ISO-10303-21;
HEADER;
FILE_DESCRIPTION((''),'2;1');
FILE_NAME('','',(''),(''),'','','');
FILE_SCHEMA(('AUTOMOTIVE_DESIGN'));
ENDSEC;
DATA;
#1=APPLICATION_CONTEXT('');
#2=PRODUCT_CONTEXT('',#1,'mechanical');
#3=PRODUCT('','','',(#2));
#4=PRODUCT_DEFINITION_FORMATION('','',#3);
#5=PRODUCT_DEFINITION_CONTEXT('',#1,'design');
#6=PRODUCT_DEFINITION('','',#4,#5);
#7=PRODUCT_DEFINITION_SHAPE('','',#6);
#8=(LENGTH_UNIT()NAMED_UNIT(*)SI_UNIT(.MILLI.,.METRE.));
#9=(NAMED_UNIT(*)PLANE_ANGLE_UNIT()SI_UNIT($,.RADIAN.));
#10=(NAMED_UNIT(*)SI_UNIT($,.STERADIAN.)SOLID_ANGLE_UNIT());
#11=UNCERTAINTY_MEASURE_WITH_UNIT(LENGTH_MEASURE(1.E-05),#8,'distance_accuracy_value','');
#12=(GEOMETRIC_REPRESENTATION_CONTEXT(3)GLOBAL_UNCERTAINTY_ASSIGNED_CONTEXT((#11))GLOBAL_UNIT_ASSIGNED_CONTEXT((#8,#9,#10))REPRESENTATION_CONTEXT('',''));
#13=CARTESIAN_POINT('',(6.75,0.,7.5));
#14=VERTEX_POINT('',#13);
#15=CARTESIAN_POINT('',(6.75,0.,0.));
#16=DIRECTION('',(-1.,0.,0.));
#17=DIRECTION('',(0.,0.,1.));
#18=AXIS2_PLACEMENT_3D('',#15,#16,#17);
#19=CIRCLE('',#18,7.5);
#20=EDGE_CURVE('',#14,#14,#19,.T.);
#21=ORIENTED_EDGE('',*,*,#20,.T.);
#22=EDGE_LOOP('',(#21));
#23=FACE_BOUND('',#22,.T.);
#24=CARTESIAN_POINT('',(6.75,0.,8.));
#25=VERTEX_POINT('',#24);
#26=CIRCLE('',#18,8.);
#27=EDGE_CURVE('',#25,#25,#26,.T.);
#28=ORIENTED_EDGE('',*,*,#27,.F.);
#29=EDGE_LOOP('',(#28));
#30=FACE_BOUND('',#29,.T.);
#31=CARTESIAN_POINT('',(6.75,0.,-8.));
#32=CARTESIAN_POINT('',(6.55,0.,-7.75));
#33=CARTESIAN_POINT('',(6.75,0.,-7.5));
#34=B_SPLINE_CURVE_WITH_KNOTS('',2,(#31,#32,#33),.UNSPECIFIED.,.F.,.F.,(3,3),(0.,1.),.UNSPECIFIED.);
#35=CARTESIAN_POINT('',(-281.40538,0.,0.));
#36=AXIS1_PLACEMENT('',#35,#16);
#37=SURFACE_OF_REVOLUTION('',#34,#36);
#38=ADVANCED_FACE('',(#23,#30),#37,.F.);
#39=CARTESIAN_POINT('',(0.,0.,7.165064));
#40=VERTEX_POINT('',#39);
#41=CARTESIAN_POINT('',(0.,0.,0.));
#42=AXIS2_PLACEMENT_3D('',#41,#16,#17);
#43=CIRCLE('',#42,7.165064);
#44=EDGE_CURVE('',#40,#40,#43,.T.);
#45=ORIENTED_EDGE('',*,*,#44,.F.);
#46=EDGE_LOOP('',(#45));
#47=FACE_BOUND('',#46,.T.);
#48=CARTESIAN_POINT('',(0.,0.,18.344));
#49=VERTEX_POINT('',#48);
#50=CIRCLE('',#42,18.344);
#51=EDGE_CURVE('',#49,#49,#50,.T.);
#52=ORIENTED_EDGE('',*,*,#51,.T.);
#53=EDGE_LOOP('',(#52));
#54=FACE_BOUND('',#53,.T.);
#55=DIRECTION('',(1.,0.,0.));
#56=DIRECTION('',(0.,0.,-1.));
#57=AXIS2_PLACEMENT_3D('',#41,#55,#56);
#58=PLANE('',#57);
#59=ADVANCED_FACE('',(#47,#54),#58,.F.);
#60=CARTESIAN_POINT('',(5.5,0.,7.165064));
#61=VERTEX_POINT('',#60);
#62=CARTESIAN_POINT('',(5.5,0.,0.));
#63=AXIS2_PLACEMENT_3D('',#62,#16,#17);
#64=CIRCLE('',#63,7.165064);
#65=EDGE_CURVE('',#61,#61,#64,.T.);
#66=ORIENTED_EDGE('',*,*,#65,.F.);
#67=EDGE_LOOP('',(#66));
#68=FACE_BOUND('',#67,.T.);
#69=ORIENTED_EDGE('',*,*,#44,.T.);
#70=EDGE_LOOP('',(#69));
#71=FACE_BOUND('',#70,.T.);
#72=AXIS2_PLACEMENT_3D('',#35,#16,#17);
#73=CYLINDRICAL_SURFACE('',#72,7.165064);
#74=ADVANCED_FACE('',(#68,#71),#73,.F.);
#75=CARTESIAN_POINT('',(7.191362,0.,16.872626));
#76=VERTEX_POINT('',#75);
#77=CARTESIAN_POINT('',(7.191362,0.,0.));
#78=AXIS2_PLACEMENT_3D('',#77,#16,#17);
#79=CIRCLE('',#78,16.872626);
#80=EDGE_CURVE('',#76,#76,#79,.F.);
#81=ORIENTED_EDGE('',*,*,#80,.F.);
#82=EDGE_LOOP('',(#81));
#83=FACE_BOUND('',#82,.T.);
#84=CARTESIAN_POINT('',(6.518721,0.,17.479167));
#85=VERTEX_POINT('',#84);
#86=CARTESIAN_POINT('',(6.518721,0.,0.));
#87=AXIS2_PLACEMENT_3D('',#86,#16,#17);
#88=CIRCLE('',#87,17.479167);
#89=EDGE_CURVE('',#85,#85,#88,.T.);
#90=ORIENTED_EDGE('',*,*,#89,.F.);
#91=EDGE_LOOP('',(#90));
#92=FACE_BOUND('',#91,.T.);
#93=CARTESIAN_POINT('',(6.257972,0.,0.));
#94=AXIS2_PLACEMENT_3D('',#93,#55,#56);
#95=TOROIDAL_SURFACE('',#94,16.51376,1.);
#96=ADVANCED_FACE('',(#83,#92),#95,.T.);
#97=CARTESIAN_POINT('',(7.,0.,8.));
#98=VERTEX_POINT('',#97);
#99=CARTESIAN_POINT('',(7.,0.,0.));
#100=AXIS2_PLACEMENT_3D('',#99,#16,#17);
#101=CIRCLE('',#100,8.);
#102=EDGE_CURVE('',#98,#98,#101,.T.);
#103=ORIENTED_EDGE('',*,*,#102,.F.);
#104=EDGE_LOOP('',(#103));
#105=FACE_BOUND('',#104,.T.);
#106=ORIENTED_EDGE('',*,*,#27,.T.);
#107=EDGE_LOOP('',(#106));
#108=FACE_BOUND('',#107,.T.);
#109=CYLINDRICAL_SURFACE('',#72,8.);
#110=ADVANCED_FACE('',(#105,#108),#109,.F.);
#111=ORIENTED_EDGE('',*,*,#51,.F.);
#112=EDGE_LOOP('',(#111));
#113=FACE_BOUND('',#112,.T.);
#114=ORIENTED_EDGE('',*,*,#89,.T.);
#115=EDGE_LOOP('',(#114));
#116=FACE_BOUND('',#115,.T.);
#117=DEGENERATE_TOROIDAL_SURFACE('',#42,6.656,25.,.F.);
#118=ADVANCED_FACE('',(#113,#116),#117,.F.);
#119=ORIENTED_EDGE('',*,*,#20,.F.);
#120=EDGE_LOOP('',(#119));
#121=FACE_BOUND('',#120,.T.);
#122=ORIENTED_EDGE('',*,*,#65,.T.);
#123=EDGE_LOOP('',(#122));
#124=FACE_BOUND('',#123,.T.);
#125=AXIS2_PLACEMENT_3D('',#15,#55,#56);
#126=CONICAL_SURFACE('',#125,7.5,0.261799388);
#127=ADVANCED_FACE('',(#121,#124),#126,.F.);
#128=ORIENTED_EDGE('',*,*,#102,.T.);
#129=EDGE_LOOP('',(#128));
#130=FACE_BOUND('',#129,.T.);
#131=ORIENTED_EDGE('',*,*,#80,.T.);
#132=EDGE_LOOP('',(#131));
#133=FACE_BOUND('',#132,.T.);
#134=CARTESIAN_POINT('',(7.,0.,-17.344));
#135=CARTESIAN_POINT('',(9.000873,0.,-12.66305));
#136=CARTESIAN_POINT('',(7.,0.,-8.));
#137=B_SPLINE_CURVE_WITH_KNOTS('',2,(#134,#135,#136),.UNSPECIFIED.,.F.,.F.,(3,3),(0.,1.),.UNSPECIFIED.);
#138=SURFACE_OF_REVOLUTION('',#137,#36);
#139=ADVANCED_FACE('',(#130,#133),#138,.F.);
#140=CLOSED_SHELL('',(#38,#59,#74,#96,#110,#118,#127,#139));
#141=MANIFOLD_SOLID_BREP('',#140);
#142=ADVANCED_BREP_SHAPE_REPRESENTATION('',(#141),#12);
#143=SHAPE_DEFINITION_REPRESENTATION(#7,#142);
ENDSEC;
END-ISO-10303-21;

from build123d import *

# Parameters (mm, degrees)
REDONDEO8_R = 1


with BuildPart() as part:
    # Croquis1 → Revoluci_n1 (revolve)
    with BuildSketch(Plane(origin=(0, 0, 0), x_dir=(1, 0, 0), z_dir=(0, 1, 0)), mode=Mode.PRIVATE) as revoluci_n1_sk:
        with BuildLine():
            add(Edge.make_bspline(
                [(6.75, 8), (6.55, 7.75), (6.75, 7.5)],
                knots=[0, 0, 0, 1, 1, 1], degree=2))
            Line((6.75, 7.5), (5.5, 7.165063509))
            Line((5.5, 7.165063509), (0, 7.165063509))
            Line((0, 7.165063509), (0, 18.344))
            ThreePointArc((0, 18.344), (3.535533906, 18.092737342), (7, 17.344))
            add(Edge.make_bspline(
                [(7, 17.344), (9.000873043, 12.66305), (7, 8)],
                knots=[0, 0, 0, 1, 1, 1], degree=2))
            Line((7, 8), (6.75, 8))
        make_face()
    revolve(revoluci_n1_sk.sketch.rotate(Axis((-281.405379576, 0, 0), (1, 0, 0)), 180), axis=Axis((-281.405379576, 0, 0), (1, 0, 0)))

    # Redondeo8
    redondeo8_edges = [part.edges().sort_by_distance(p)[0] for p in [
        (7, 0, -17.344),
    ]]
    fillet(redondeo8_edges, radius=REDONDEO8_R)


solid = part.part
